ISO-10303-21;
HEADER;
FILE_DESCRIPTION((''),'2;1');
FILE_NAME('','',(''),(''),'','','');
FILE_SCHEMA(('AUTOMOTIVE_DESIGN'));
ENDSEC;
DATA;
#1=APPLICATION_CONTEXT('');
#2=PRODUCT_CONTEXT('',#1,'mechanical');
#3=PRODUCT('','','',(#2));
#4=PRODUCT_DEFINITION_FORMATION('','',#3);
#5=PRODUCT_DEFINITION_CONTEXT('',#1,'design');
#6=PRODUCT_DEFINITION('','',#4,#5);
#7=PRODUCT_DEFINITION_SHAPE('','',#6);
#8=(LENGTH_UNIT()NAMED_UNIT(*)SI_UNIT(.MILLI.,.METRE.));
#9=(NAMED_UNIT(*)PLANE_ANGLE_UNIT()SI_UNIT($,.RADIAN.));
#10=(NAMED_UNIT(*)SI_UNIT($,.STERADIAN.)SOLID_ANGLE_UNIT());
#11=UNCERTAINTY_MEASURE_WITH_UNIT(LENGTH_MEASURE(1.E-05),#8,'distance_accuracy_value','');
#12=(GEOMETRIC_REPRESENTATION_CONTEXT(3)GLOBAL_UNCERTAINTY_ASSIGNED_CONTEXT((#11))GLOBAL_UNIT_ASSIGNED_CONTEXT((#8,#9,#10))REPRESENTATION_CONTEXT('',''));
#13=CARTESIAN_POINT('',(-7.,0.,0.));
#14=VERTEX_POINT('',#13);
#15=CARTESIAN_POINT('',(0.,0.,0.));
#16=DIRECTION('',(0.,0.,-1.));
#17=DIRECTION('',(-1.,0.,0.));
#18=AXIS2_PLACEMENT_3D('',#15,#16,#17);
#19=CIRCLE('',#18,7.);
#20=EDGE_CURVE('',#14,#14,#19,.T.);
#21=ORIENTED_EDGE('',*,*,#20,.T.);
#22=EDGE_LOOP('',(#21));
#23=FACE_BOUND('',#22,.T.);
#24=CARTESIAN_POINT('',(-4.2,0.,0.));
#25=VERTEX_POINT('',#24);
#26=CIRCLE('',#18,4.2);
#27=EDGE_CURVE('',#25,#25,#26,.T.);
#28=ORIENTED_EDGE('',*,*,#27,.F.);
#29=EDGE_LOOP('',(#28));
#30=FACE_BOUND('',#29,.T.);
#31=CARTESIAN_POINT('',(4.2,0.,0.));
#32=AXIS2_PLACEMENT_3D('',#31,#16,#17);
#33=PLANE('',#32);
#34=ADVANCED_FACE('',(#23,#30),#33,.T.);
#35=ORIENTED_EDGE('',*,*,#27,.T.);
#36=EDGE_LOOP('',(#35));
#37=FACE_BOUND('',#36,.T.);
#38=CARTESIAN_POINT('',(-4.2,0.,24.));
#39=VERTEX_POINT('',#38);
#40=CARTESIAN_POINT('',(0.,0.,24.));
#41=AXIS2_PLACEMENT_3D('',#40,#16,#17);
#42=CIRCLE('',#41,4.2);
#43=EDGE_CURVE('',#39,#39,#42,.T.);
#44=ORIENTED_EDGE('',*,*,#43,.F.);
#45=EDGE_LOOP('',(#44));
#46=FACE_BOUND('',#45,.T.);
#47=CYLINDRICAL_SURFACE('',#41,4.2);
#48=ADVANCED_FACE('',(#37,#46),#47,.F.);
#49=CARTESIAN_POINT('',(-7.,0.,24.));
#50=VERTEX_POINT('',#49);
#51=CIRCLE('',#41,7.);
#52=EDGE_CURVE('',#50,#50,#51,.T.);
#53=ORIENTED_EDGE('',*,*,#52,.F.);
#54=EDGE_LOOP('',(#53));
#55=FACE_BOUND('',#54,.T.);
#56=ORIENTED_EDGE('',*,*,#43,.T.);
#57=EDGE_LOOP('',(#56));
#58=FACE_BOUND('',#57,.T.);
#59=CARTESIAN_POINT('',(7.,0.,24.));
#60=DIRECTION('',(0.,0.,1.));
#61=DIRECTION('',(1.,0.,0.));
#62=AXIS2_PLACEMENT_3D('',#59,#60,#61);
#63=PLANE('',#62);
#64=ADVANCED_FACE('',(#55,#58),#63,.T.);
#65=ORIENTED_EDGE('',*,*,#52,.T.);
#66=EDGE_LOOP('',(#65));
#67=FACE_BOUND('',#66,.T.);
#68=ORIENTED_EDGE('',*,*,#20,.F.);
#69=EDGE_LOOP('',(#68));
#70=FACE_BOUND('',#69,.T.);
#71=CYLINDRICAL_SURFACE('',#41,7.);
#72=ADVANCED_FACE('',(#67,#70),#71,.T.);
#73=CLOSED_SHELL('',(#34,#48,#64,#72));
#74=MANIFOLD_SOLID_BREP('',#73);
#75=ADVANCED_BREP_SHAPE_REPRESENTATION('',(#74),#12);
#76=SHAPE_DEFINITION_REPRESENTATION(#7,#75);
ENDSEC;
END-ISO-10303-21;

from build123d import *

# Parameters (mm, degrees)
SKETCH1_W = 2.8
SKETCH1_H = 24


with BuildPart() as part:
    # Sketch1 → Revolve1 (revolve)
    with BuildSketch(Plane.XZ, mode=Mode.PRIVATE) as revolve1_sk:
        with Locations((5.6, 12)):
            Rectangle(SKETCH1_W, SKETCH1_H)
    revolve(revolve1_sk.sketch.rotate(Axis((0, 0, 24), (0, 0, -1)), 180), axis=Axis((0, 0, 24), (0, 0, -1)))


solid = part.part
